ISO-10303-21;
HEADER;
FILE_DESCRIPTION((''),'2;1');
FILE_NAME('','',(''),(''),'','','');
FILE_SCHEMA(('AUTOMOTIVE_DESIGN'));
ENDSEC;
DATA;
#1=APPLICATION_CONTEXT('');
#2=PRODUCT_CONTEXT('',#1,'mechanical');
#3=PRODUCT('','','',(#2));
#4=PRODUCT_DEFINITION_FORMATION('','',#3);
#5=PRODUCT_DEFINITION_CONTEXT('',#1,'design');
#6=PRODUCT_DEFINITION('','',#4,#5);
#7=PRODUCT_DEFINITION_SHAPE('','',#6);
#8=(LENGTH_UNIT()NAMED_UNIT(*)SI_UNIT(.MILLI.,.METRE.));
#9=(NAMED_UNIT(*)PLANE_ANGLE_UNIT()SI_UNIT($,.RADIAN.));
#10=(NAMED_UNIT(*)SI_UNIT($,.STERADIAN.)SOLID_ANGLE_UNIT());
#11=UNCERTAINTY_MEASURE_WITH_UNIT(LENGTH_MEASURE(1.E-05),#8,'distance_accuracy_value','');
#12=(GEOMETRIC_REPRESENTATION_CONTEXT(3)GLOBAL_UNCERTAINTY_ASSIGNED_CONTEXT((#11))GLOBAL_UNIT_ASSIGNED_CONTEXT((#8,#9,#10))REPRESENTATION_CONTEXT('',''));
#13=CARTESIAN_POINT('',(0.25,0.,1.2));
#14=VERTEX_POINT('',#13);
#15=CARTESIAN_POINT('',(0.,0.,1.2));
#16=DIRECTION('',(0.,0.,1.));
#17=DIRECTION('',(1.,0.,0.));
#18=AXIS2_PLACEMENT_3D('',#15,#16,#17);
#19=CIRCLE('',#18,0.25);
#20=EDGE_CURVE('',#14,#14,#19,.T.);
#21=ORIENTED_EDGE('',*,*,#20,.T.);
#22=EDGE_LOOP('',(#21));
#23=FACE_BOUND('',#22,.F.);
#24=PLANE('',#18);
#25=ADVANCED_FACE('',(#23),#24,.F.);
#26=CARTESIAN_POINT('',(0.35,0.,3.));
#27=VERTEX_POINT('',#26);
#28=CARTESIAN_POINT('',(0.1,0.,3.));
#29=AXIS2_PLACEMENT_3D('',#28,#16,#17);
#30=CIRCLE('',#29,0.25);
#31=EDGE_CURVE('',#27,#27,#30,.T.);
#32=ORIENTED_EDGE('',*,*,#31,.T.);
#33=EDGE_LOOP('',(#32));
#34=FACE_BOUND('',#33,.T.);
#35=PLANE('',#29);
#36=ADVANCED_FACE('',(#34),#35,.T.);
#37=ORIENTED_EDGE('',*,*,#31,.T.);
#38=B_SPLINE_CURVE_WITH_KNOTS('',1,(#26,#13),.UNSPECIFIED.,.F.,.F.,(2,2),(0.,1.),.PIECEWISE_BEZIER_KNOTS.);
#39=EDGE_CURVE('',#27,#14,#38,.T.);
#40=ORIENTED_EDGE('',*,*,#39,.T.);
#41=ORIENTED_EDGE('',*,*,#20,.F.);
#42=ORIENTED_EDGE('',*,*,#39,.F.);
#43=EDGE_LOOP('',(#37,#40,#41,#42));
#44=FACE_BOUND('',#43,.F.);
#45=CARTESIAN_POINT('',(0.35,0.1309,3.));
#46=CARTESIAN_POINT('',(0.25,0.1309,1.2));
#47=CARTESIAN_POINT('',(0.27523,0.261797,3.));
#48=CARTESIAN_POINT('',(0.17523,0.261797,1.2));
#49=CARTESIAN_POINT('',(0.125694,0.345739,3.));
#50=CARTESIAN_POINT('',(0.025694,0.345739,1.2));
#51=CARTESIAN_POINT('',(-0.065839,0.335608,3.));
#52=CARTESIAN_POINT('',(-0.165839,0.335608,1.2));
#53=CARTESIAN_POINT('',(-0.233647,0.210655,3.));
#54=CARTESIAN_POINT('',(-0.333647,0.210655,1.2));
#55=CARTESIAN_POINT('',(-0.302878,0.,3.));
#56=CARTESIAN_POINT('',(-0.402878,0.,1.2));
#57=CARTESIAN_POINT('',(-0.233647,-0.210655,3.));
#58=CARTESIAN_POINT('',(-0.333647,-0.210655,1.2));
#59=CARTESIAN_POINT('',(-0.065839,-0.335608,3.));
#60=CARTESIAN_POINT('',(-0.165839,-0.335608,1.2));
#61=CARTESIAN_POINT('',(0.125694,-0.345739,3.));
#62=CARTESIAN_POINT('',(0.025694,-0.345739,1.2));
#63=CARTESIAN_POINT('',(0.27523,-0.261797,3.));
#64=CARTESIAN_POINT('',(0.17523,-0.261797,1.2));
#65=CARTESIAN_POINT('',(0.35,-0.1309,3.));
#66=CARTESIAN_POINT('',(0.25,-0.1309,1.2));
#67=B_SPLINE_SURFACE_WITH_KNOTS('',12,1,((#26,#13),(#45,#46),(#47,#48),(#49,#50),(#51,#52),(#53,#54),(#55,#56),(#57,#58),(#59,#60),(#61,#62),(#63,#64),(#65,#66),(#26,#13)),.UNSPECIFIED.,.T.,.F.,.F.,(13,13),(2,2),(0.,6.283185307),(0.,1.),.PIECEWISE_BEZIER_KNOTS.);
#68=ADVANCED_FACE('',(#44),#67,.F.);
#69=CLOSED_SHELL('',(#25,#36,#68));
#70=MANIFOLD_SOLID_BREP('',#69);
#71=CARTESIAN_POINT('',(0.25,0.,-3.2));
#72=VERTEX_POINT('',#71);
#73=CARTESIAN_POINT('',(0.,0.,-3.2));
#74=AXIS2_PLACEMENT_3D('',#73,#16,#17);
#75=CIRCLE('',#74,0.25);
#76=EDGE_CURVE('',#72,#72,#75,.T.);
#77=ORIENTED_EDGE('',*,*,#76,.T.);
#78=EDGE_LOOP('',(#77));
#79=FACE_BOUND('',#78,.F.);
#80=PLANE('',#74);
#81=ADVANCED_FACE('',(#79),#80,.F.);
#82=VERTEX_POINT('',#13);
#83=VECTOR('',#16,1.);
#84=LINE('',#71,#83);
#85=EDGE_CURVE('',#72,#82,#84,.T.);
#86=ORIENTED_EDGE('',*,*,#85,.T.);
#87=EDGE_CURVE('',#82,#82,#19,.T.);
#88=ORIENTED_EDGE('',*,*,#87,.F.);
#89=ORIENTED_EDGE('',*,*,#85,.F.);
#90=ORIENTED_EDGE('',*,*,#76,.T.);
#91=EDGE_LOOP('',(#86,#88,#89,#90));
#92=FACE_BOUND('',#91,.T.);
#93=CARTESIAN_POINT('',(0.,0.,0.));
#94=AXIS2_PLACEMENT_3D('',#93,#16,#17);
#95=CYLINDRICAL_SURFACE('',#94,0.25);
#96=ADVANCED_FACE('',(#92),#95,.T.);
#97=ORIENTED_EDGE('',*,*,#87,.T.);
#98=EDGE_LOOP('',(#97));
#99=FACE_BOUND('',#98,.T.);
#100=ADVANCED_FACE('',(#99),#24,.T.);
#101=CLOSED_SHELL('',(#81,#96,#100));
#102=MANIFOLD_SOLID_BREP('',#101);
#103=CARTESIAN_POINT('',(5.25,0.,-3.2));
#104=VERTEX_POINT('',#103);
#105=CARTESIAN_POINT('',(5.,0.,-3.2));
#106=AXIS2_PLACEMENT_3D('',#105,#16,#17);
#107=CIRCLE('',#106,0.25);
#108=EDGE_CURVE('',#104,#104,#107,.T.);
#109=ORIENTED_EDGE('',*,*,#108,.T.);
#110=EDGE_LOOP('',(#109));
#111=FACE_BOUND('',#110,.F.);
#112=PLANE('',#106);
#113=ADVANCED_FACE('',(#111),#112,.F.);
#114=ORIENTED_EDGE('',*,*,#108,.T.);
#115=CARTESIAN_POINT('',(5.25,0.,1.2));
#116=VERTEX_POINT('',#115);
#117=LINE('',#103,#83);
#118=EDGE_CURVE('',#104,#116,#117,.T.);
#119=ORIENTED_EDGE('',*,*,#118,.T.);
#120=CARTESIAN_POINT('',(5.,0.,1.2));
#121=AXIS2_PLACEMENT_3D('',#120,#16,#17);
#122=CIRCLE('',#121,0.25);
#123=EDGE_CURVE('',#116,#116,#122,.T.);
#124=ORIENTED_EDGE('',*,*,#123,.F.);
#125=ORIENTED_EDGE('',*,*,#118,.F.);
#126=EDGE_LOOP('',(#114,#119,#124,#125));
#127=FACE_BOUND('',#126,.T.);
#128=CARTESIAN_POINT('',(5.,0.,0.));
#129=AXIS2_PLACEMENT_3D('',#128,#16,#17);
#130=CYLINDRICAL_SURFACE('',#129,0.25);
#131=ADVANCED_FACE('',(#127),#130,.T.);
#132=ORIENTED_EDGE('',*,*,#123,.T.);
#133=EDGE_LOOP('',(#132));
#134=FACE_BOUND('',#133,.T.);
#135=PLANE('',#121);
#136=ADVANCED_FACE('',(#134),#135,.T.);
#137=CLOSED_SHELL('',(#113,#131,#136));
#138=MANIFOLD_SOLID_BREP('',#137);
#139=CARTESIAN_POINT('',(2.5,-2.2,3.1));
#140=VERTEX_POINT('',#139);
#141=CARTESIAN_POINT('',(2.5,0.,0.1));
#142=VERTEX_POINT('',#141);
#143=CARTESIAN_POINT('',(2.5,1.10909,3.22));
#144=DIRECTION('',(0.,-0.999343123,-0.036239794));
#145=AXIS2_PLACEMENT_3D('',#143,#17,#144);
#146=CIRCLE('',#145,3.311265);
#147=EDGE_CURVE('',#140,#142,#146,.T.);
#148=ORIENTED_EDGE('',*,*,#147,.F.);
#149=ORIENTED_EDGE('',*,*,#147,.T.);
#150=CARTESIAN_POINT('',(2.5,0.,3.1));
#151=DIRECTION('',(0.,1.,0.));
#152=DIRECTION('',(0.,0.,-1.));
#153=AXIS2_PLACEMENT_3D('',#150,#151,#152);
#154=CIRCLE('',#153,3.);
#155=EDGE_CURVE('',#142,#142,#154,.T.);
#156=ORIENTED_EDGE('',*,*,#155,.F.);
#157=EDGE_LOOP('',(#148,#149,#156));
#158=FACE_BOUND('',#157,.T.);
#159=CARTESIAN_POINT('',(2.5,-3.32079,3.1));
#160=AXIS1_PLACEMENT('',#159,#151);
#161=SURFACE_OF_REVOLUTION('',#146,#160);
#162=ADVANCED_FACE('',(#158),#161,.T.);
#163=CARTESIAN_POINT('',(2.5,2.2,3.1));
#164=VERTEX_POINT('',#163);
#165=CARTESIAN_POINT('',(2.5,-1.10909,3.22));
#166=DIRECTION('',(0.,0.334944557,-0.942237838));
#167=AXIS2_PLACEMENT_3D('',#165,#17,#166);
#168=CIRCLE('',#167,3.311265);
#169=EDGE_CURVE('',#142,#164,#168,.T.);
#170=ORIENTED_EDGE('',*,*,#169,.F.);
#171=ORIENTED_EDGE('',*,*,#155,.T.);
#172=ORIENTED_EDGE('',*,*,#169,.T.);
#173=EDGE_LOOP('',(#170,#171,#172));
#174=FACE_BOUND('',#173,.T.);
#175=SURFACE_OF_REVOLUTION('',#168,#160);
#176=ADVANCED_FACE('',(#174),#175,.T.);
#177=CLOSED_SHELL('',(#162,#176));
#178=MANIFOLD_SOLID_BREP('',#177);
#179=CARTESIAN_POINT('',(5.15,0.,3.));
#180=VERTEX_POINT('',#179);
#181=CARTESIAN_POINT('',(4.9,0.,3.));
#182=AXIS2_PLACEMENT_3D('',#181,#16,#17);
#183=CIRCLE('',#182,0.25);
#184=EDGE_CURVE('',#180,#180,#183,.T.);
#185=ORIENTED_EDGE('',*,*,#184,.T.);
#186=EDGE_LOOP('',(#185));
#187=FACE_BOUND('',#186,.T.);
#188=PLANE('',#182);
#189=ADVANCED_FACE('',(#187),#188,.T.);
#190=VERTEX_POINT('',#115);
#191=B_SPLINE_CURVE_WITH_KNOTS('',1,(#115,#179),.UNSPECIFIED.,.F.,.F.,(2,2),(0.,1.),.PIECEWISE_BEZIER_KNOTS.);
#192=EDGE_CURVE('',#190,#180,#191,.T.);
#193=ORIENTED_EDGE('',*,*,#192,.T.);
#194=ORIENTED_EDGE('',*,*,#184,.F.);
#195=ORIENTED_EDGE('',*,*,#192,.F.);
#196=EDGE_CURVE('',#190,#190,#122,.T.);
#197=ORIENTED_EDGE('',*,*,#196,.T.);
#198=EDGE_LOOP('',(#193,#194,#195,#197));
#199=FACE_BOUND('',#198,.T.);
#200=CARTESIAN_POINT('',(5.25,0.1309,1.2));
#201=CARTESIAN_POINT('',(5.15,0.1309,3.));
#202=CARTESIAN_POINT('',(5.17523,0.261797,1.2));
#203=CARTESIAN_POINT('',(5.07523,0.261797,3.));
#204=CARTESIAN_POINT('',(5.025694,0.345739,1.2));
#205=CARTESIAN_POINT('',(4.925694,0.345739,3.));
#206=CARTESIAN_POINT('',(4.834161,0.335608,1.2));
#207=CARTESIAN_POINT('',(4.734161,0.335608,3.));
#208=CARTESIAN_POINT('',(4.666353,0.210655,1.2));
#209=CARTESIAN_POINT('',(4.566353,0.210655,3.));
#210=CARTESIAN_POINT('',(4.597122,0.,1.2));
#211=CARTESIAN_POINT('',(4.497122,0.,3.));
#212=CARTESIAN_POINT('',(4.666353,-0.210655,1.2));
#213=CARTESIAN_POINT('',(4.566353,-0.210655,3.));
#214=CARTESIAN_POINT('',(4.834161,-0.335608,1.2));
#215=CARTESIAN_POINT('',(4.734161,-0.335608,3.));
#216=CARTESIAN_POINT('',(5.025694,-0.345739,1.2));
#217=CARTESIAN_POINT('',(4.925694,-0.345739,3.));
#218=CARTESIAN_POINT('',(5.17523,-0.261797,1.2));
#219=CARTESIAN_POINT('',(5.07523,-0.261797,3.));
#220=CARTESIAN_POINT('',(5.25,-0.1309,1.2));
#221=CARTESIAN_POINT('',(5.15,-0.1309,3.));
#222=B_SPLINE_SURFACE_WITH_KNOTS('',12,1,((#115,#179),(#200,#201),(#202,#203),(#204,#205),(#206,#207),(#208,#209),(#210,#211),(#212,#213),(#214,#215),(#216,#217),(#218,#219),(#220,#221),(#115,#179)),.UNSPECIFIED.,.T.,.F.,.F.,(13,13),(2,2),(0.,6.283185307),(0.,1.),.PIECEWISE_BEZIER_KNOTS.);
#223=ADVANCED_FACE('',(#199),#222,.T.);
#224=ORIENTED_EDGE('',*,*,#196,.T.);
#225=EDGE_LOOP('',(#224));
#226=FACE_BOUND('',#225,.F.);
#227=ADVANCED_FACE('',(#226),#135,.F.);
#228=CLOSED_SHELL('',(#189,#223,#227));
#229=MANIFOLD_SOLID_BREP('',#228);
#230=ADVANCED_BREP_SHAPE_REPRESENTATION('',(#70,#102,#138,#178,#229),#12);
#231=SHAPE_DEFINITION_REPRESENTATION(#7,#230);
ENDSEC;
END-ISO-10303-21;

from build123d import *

# Parameters (mm, degrees)
SKETCH001_R       = 0.25
PAD001_DEPTH      = 1.2
PAD001_DEPTH_BACK = 3.2
SKETCH002_R       = 0.25
SKETCH003_R       = 0.25
SKETCH004_R       = 0.25
SKETCH005_R       = 0.25


with BuildPart() as pad001:
    # Sketch001 → Pad001 (new body, two sides)
    with BuildSketch(Plane.XY) as pad001_sk:
        Circle(SKETCH001_R)
        with Locations((5, 0)):
            Circle(SKETCH001_R)
    extrude(amount=PAD001_DEPTH)
    extrude(pad001_sk.sketch, amount=-PAD001_DEPTH_BACK)


with BuildPart() as revolution:
    # Sketch → Revolution (revolve)
    with BuildSketch(Plane.YZ.offset(2.5)):
        with BuildLine():
            Line((-2.2, 3.1), (2.2, 3.1))
            ThreePointArc((0, 0.1), (1.561131, 1.261838), (2.2, 3.1))
            ThreePointArc((-2.2, 3.1), (-1.561131, 1.261838), (0, 0.1))
        make_face()
    revolve(axis=Axis((2.5, -3.32079, 3.1), (0, 1, 0)))


with BuildPart() as loft_body:
    # Sketch002 → Loft section 0
    with BuildSketch(Plane.XY.offset(3)):
        with Locations((0.1, 0)):
            Circle(SKETCH002_R)
    # Sketch003 → Loft section 1
    with BuildSketch(Plane.XY.offset(1.2)):
        Circle(SKETCH003_R)
    loft()


with BuildPart() as loft001:
    # Sketch004 → Loft001 section 0
    with BuildSketch(Plane.XY.offset(1.2)):
        with Locations((5, 0)):
            Circle(SKETCH004_R)
    # Sketch005 → Loft001 section 1
    with BuildSketch(Plane.XY.offset(3)):
        with Locations((4.9, 0)):
            Circle(SKETCH005_R)
    loft()


solid = Compound([pad001.part, revolution.part, loft_body.part, loft001.part])
